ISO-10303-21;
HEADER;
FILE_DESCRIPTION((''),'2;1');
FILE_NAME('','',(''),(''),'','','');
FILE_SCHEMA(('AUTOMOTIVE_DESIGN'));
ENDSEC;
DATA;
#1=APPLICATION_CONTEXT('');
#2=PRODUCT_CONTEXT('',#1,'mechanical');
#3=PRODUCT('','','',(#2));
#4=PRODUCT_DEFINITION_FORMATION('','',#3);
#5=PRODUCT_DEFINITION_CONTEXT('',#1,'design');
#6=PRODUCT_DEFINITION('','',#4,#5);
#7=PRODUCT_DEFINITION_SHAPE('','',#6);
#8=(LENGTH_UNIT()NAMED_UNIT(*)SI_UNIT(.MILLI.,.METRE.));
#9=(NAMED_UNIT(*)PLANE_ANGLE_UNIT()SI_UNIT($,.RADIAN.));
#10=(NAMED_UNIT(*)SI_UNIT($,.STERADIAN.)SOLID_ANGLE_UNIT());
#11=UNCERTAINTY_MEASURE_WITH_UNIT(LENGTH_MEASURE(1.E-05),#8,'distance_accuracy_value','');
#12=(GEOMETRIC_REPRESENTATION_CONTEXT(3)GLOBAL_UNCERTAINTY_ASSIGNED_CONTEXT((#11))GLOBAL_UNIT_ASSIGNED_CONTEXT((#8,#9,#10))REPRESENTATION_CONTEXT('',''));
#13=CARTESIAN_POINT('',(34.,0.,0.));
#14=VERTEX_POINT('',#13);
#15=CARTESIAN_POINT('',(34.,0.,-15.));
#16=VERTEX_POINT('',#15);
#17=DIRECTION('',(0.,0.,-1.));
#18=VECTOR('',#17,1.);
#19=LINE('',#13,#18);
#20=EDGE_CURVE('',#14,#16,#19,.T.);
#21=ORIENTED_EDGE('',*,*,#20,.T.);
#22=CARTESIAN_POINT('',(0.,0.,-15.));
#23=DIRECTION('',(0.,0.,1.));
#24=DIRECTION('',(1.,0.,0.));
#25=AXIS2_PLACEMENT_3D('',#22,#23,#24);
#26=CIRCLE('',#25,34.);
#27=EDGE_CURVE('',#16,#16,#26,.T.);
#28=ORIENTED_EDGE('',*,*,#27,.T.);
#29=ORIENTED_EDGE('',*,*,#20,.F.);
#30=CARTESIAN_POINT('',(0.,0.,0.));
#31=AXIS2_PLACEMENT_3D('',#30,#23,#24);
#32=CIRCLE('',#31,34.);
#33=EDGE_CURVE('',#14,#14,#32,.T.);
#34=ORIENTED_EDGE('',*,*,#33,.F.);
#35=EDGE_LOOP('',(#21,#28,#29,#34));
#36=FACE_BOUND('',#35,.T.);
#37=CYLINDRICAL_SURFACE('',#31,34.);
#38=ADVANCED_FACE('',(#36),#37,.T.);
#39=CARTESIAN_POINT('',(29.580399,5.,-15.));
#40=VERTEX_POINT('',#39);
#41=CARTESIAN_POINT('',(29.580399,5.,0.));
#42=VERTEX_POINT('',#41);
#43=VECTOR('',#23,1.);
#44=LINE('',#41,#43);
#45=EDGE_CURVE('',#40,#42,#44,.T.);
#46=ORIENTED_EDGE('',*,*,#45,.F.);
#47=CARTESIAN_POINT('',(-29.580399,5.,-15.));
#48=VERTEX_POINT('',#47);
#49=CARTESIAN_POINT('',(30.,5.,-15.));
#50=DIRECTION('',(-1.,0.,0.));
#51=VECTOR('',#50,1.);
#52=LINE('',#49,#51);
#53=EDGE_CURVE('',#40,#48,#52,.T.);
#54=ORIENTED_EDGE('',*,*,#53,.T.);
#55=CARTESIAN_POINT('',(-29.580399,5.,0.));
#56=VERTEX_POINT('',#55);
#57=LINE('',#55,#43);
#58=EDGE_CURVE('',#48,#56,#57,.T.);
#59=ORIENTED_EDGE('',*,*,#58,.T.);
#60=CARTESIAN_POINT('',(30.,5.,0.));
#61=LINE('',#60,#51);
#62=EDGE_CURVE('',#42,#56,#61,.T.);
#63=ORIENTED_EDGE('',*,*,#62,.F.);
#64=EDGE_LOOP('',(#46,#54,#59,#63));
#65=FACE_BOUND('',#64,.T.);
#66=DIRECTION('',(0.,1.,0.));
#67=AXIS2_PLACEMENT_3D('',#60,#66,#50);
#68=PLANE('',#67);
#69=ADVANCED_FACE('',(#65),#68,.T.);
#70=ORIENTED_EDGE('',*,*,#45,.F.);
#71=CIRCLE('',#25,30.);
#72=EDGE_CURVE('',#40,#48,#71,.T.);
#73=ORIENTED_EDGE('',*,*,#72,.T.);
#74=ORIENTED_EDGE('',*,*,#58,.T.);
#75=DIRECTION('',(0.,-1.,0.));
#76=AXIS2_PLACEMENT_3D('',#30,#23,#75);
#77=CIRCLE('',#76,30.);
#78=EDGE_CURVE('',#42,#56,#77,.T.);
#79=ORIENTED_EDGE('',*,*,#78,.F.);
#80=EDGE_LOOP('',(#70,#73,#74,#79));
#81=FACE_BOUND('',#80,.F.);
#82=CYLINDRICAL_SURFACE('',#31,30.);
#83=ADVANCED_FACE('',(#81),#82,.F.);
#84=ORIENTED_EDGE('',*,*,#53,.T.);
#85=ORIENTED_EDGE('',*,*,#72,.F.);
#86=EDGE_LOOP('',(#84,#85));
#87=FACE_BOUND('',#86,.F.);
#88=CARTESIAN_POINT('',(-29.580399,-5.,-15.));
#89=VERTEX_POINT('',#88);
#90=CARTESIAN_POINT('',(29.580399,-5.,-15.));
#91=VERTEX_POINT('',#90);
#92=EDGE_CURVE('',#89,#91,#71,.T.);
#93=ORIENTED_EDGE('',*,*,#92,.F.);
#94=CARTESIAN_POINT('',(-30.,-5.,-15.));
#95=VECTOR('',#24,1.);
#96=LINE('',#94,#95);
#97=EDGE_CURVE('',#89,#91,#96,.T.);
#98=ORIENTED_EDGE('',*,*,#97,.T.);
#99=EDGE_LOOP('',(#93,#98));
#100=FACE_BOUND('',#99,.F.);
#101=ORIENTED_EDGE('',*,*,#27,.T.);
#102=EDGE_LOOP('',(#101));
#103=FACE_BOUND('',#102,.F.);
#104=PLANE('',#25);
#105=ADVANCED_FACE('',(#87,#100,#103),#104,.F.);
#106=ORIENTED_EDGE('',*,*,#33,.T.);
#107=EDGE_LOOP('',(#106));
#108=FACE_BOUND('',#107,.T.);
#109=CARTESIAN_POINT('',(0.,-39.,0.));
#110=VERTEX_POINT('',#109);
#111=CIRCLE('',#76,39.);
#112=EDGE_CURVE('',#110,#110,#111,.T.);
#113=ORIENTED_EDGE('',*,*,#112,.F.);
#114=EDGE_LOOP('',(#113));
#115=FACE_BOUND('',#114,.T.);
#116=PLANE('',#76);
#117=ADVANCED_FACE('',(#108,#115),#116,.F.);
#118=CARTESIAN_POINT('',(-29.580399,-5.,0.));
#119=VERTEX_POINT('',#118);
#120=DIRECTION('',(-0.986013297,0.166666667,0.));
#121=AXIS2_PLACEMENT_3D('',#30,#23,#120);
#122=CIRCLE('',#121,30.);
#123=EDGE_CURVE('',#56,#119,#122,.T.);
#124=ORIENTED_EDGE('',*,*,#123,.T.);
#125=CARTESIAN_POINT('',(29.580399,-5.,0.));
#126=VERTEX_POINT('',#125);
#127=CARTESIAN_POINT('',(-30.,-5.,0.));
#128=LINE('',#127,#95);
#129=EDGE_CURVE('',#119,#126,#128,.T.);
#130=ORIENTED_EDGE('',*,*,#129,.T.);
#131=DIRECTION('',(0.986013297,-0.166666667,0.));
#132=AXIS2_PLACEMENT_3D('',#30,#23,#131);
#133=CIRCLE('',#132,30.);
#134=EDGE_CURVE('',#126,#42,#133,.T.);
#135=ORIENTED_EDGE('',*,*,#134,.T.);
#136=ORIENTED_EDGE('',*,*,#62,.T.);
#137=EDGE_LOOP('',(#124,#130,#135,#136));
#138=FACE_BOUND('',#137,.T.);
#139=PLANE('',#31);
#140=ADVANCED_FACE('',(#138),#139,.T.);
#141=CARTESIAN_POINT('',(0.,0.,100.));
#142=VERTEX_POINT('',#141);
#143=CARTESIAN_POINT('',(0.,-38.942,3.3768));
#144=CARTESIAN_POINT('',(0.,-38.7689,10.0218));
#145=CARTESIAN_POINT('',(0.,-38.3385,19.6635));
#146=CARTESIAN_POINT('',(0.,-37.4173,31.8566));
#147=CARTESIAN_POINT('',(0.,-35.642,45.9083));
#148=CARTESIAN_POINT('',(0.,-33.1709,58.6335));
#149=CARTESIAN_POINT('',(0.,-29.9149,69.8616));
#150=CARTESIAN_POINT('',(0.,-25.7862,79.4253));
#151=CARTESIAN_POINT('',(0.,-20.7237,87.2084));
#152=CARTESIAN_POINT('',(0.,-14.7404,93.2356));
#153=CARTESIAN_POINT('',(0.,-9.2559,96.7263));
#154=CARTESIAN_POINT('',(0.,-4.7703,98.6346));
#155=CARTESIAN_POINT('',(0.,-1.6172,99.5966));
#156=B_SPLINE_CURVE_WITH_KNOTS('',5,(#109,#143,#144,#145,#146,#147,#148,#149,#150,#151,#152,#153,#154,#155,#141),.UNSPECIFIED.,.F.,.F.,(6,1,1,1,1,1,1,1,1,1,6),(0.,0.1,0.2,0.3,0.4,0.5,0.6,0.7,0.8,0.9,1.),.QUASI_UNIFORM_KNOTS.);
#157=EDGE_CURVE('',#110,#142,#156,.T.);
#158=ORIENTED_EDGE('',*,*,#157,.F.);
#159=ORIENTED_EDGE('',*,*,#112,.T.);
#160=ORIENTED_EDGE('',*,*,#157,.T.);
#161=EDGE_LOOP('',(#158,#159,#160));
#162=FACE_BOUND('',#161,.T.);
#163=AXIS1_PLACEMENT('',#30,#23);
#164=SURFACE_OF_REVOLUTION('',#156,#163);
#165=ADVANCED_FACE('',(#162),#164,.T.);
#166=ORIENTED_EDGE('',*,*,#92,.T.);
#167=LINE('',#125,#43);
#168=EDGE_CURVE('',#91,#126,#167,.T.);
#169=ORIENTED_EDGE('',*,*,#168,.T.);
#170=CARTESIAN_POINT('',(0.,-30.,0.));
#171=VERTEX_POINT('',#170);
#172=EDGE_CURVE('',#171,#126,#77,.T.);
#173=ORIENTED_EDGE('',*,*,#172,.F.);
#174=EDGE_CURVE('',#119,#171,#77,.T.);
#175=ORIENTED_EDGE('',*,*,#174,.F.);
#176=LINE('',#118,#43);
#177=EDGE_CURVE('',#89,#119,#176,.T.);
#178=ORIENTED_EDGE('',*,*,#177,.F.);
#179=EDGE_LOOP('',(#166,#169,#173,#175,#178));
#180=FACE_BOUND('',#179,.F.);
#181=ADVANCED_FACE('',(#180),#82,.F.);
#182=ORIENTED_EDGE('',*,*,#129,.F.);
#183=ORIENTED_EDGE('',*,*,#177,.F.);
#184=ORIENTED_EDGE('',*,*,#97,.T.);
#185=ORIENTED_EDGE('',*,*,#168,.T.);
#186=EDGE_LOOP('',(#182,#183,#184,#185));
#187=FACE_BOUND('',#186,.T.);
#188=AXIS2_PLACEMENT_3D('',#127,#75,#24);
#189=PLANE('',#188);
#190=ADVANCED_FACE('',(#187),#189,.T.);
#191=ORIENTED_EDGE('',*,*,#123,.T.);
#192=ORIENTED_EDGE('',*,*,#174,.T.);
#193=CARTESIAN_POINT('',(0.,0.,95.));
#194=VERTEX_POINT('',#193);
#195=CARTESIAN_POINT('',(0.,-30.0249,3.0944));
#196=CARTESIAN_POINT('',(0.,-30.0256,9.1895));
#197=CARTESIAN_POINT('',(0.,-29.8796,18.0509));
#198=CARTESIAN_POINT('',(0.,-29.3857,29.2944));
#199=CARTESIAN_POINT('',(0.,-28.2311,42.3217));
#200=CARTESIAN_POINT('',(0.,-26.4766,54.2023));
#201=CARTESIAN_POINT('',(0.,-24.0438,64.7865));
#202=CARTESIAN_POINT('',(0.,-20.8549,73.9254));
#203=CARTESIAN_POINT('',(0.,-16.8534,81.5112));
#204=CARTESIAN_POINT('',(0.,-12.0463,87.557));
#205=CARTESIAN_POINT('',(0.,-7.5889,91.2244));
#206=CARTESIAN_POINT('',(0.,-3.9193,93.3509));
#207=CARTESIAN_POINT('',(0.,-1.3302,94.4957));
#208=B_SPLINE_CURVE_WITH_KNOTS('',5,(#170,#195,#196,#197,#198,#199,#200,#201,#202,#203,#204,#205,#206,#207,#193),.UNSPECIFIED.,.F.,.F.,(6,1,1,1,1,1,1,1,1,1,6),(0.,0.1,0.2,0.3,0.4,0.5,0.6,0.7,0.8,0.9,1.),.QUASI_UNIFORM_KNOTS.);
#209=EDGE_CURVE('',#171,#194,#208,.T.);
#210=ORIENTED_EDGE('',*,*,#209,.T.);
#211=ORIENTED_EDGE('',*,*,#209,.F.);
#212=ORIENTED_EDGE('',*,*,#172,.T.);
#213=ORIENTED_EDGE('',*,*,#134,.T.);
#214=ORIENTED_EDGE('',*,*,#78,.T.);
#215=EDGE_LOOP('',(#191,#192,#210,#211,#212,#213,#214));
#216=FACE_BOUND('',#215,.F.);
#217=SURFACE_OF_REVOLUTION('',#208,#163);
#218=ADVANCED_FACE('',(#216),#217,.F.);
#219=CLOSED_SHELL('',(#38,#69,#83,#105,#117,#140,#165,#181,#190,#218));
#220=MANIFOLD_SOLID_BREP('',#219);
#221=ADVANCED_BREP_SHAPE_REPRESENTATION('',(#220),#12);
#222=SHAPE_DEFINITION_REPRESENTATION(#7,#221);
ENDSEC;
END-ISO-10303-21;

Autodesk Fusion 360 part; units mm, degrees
sketch "Sketch1" plane through (0, 0, 0) normal (1, 0, 0) x (0, 1, 0)
  line L0 (0, 0) -> (-39, 0) construction
  line L1 (0, 0) -> (0, 100) construction
  spline S0 degree 5 poles (-39, 0) (-38.942, 3.3768) (-38.7689, 10.0218) (-38.3385, 19.6635) (-37.4173, 31.8566) (-35.642, 45.9083) (-33.1709, 58.6335) (-29.9149, 69.8616) (-25.7862, 79.4253) (-20.7237, 87.2084) (-14.7404, 93.2356) (-9.2559, 96.7263) (-4.7703, 98.6346) (-1.6172, 99.5966) (0, 100) knots 0 0 0 0 0 0 0.1 0.2 0.3 0.4 0.5 0.6 0.7 0.8 0.9 1 1 1 1 1 1
  spline S1 degree 5 poles (-30, 0) (-30.0249, 3.0944) (-30.0256, 9.1895) (-29.8796, 18.0509) (-29.3857, 29.2944) (-28.2311, 42.3217) (-26.4766, 54.2023) (-24.0438, 64.7865) (-20.8549, 73.9254) (-16.8534, 81.5112) (-12.0463, 87.557) (-7.5889, 91.2244) (-3.9193, 93.3509) (-1.3302, 94.4957) (0, 95) knots 0 0 0 0 0 0 0.1 0.2 0.3 0.4 0.5 0.6 0.7 0.8 0.9 1 1 1 1 1 1
  line L2 (0, 95) -> (0, 100)
  line L3 (-30, 0) -> (-39, 0)
  point P0 (-25, 80)
  point P1 (-20, 75)
  dimension "d5" = 39
  dimension "d6" = 100
revolve "Revolve1" add sketch "Sketch1" angle 360 about axis through (0, 0, 0) along (0, 0, 1)
sketch "Sketch2" plane through (0, 0, 0) normal (0, 0, 1) x (1, 0, 0)
  circle A0 centre (0, 0) radius 34
  circle A1 centre (0, 0) radius 30
  dimension "d8" = 68
  dimension "d9" = 60
extrude "Extrude1" add sketch "Sketch2" against normal blind 15
sketch "Sketch3" plane through (0, 0, 0) normal (0, 0, 1) x (1, 0, 0)
  line L0 (-30, -5) -> (30, -5)
  line L1 (30, -5) -> (30, 5)
  line L2 (30, 5) -> (-30, 5)
  line L3 (-30, 5) -> (-30, -5)
extrude "Extrude2" add sketch "Sketch3" against normal blind 15
equation "innerdi = 68 mm"
equation "noseconeheight = 100 mm"
equation "d6 = noseconeheight"
equation "d8 = innerdi"
equation "d9 = innerdi - 8 mm"
